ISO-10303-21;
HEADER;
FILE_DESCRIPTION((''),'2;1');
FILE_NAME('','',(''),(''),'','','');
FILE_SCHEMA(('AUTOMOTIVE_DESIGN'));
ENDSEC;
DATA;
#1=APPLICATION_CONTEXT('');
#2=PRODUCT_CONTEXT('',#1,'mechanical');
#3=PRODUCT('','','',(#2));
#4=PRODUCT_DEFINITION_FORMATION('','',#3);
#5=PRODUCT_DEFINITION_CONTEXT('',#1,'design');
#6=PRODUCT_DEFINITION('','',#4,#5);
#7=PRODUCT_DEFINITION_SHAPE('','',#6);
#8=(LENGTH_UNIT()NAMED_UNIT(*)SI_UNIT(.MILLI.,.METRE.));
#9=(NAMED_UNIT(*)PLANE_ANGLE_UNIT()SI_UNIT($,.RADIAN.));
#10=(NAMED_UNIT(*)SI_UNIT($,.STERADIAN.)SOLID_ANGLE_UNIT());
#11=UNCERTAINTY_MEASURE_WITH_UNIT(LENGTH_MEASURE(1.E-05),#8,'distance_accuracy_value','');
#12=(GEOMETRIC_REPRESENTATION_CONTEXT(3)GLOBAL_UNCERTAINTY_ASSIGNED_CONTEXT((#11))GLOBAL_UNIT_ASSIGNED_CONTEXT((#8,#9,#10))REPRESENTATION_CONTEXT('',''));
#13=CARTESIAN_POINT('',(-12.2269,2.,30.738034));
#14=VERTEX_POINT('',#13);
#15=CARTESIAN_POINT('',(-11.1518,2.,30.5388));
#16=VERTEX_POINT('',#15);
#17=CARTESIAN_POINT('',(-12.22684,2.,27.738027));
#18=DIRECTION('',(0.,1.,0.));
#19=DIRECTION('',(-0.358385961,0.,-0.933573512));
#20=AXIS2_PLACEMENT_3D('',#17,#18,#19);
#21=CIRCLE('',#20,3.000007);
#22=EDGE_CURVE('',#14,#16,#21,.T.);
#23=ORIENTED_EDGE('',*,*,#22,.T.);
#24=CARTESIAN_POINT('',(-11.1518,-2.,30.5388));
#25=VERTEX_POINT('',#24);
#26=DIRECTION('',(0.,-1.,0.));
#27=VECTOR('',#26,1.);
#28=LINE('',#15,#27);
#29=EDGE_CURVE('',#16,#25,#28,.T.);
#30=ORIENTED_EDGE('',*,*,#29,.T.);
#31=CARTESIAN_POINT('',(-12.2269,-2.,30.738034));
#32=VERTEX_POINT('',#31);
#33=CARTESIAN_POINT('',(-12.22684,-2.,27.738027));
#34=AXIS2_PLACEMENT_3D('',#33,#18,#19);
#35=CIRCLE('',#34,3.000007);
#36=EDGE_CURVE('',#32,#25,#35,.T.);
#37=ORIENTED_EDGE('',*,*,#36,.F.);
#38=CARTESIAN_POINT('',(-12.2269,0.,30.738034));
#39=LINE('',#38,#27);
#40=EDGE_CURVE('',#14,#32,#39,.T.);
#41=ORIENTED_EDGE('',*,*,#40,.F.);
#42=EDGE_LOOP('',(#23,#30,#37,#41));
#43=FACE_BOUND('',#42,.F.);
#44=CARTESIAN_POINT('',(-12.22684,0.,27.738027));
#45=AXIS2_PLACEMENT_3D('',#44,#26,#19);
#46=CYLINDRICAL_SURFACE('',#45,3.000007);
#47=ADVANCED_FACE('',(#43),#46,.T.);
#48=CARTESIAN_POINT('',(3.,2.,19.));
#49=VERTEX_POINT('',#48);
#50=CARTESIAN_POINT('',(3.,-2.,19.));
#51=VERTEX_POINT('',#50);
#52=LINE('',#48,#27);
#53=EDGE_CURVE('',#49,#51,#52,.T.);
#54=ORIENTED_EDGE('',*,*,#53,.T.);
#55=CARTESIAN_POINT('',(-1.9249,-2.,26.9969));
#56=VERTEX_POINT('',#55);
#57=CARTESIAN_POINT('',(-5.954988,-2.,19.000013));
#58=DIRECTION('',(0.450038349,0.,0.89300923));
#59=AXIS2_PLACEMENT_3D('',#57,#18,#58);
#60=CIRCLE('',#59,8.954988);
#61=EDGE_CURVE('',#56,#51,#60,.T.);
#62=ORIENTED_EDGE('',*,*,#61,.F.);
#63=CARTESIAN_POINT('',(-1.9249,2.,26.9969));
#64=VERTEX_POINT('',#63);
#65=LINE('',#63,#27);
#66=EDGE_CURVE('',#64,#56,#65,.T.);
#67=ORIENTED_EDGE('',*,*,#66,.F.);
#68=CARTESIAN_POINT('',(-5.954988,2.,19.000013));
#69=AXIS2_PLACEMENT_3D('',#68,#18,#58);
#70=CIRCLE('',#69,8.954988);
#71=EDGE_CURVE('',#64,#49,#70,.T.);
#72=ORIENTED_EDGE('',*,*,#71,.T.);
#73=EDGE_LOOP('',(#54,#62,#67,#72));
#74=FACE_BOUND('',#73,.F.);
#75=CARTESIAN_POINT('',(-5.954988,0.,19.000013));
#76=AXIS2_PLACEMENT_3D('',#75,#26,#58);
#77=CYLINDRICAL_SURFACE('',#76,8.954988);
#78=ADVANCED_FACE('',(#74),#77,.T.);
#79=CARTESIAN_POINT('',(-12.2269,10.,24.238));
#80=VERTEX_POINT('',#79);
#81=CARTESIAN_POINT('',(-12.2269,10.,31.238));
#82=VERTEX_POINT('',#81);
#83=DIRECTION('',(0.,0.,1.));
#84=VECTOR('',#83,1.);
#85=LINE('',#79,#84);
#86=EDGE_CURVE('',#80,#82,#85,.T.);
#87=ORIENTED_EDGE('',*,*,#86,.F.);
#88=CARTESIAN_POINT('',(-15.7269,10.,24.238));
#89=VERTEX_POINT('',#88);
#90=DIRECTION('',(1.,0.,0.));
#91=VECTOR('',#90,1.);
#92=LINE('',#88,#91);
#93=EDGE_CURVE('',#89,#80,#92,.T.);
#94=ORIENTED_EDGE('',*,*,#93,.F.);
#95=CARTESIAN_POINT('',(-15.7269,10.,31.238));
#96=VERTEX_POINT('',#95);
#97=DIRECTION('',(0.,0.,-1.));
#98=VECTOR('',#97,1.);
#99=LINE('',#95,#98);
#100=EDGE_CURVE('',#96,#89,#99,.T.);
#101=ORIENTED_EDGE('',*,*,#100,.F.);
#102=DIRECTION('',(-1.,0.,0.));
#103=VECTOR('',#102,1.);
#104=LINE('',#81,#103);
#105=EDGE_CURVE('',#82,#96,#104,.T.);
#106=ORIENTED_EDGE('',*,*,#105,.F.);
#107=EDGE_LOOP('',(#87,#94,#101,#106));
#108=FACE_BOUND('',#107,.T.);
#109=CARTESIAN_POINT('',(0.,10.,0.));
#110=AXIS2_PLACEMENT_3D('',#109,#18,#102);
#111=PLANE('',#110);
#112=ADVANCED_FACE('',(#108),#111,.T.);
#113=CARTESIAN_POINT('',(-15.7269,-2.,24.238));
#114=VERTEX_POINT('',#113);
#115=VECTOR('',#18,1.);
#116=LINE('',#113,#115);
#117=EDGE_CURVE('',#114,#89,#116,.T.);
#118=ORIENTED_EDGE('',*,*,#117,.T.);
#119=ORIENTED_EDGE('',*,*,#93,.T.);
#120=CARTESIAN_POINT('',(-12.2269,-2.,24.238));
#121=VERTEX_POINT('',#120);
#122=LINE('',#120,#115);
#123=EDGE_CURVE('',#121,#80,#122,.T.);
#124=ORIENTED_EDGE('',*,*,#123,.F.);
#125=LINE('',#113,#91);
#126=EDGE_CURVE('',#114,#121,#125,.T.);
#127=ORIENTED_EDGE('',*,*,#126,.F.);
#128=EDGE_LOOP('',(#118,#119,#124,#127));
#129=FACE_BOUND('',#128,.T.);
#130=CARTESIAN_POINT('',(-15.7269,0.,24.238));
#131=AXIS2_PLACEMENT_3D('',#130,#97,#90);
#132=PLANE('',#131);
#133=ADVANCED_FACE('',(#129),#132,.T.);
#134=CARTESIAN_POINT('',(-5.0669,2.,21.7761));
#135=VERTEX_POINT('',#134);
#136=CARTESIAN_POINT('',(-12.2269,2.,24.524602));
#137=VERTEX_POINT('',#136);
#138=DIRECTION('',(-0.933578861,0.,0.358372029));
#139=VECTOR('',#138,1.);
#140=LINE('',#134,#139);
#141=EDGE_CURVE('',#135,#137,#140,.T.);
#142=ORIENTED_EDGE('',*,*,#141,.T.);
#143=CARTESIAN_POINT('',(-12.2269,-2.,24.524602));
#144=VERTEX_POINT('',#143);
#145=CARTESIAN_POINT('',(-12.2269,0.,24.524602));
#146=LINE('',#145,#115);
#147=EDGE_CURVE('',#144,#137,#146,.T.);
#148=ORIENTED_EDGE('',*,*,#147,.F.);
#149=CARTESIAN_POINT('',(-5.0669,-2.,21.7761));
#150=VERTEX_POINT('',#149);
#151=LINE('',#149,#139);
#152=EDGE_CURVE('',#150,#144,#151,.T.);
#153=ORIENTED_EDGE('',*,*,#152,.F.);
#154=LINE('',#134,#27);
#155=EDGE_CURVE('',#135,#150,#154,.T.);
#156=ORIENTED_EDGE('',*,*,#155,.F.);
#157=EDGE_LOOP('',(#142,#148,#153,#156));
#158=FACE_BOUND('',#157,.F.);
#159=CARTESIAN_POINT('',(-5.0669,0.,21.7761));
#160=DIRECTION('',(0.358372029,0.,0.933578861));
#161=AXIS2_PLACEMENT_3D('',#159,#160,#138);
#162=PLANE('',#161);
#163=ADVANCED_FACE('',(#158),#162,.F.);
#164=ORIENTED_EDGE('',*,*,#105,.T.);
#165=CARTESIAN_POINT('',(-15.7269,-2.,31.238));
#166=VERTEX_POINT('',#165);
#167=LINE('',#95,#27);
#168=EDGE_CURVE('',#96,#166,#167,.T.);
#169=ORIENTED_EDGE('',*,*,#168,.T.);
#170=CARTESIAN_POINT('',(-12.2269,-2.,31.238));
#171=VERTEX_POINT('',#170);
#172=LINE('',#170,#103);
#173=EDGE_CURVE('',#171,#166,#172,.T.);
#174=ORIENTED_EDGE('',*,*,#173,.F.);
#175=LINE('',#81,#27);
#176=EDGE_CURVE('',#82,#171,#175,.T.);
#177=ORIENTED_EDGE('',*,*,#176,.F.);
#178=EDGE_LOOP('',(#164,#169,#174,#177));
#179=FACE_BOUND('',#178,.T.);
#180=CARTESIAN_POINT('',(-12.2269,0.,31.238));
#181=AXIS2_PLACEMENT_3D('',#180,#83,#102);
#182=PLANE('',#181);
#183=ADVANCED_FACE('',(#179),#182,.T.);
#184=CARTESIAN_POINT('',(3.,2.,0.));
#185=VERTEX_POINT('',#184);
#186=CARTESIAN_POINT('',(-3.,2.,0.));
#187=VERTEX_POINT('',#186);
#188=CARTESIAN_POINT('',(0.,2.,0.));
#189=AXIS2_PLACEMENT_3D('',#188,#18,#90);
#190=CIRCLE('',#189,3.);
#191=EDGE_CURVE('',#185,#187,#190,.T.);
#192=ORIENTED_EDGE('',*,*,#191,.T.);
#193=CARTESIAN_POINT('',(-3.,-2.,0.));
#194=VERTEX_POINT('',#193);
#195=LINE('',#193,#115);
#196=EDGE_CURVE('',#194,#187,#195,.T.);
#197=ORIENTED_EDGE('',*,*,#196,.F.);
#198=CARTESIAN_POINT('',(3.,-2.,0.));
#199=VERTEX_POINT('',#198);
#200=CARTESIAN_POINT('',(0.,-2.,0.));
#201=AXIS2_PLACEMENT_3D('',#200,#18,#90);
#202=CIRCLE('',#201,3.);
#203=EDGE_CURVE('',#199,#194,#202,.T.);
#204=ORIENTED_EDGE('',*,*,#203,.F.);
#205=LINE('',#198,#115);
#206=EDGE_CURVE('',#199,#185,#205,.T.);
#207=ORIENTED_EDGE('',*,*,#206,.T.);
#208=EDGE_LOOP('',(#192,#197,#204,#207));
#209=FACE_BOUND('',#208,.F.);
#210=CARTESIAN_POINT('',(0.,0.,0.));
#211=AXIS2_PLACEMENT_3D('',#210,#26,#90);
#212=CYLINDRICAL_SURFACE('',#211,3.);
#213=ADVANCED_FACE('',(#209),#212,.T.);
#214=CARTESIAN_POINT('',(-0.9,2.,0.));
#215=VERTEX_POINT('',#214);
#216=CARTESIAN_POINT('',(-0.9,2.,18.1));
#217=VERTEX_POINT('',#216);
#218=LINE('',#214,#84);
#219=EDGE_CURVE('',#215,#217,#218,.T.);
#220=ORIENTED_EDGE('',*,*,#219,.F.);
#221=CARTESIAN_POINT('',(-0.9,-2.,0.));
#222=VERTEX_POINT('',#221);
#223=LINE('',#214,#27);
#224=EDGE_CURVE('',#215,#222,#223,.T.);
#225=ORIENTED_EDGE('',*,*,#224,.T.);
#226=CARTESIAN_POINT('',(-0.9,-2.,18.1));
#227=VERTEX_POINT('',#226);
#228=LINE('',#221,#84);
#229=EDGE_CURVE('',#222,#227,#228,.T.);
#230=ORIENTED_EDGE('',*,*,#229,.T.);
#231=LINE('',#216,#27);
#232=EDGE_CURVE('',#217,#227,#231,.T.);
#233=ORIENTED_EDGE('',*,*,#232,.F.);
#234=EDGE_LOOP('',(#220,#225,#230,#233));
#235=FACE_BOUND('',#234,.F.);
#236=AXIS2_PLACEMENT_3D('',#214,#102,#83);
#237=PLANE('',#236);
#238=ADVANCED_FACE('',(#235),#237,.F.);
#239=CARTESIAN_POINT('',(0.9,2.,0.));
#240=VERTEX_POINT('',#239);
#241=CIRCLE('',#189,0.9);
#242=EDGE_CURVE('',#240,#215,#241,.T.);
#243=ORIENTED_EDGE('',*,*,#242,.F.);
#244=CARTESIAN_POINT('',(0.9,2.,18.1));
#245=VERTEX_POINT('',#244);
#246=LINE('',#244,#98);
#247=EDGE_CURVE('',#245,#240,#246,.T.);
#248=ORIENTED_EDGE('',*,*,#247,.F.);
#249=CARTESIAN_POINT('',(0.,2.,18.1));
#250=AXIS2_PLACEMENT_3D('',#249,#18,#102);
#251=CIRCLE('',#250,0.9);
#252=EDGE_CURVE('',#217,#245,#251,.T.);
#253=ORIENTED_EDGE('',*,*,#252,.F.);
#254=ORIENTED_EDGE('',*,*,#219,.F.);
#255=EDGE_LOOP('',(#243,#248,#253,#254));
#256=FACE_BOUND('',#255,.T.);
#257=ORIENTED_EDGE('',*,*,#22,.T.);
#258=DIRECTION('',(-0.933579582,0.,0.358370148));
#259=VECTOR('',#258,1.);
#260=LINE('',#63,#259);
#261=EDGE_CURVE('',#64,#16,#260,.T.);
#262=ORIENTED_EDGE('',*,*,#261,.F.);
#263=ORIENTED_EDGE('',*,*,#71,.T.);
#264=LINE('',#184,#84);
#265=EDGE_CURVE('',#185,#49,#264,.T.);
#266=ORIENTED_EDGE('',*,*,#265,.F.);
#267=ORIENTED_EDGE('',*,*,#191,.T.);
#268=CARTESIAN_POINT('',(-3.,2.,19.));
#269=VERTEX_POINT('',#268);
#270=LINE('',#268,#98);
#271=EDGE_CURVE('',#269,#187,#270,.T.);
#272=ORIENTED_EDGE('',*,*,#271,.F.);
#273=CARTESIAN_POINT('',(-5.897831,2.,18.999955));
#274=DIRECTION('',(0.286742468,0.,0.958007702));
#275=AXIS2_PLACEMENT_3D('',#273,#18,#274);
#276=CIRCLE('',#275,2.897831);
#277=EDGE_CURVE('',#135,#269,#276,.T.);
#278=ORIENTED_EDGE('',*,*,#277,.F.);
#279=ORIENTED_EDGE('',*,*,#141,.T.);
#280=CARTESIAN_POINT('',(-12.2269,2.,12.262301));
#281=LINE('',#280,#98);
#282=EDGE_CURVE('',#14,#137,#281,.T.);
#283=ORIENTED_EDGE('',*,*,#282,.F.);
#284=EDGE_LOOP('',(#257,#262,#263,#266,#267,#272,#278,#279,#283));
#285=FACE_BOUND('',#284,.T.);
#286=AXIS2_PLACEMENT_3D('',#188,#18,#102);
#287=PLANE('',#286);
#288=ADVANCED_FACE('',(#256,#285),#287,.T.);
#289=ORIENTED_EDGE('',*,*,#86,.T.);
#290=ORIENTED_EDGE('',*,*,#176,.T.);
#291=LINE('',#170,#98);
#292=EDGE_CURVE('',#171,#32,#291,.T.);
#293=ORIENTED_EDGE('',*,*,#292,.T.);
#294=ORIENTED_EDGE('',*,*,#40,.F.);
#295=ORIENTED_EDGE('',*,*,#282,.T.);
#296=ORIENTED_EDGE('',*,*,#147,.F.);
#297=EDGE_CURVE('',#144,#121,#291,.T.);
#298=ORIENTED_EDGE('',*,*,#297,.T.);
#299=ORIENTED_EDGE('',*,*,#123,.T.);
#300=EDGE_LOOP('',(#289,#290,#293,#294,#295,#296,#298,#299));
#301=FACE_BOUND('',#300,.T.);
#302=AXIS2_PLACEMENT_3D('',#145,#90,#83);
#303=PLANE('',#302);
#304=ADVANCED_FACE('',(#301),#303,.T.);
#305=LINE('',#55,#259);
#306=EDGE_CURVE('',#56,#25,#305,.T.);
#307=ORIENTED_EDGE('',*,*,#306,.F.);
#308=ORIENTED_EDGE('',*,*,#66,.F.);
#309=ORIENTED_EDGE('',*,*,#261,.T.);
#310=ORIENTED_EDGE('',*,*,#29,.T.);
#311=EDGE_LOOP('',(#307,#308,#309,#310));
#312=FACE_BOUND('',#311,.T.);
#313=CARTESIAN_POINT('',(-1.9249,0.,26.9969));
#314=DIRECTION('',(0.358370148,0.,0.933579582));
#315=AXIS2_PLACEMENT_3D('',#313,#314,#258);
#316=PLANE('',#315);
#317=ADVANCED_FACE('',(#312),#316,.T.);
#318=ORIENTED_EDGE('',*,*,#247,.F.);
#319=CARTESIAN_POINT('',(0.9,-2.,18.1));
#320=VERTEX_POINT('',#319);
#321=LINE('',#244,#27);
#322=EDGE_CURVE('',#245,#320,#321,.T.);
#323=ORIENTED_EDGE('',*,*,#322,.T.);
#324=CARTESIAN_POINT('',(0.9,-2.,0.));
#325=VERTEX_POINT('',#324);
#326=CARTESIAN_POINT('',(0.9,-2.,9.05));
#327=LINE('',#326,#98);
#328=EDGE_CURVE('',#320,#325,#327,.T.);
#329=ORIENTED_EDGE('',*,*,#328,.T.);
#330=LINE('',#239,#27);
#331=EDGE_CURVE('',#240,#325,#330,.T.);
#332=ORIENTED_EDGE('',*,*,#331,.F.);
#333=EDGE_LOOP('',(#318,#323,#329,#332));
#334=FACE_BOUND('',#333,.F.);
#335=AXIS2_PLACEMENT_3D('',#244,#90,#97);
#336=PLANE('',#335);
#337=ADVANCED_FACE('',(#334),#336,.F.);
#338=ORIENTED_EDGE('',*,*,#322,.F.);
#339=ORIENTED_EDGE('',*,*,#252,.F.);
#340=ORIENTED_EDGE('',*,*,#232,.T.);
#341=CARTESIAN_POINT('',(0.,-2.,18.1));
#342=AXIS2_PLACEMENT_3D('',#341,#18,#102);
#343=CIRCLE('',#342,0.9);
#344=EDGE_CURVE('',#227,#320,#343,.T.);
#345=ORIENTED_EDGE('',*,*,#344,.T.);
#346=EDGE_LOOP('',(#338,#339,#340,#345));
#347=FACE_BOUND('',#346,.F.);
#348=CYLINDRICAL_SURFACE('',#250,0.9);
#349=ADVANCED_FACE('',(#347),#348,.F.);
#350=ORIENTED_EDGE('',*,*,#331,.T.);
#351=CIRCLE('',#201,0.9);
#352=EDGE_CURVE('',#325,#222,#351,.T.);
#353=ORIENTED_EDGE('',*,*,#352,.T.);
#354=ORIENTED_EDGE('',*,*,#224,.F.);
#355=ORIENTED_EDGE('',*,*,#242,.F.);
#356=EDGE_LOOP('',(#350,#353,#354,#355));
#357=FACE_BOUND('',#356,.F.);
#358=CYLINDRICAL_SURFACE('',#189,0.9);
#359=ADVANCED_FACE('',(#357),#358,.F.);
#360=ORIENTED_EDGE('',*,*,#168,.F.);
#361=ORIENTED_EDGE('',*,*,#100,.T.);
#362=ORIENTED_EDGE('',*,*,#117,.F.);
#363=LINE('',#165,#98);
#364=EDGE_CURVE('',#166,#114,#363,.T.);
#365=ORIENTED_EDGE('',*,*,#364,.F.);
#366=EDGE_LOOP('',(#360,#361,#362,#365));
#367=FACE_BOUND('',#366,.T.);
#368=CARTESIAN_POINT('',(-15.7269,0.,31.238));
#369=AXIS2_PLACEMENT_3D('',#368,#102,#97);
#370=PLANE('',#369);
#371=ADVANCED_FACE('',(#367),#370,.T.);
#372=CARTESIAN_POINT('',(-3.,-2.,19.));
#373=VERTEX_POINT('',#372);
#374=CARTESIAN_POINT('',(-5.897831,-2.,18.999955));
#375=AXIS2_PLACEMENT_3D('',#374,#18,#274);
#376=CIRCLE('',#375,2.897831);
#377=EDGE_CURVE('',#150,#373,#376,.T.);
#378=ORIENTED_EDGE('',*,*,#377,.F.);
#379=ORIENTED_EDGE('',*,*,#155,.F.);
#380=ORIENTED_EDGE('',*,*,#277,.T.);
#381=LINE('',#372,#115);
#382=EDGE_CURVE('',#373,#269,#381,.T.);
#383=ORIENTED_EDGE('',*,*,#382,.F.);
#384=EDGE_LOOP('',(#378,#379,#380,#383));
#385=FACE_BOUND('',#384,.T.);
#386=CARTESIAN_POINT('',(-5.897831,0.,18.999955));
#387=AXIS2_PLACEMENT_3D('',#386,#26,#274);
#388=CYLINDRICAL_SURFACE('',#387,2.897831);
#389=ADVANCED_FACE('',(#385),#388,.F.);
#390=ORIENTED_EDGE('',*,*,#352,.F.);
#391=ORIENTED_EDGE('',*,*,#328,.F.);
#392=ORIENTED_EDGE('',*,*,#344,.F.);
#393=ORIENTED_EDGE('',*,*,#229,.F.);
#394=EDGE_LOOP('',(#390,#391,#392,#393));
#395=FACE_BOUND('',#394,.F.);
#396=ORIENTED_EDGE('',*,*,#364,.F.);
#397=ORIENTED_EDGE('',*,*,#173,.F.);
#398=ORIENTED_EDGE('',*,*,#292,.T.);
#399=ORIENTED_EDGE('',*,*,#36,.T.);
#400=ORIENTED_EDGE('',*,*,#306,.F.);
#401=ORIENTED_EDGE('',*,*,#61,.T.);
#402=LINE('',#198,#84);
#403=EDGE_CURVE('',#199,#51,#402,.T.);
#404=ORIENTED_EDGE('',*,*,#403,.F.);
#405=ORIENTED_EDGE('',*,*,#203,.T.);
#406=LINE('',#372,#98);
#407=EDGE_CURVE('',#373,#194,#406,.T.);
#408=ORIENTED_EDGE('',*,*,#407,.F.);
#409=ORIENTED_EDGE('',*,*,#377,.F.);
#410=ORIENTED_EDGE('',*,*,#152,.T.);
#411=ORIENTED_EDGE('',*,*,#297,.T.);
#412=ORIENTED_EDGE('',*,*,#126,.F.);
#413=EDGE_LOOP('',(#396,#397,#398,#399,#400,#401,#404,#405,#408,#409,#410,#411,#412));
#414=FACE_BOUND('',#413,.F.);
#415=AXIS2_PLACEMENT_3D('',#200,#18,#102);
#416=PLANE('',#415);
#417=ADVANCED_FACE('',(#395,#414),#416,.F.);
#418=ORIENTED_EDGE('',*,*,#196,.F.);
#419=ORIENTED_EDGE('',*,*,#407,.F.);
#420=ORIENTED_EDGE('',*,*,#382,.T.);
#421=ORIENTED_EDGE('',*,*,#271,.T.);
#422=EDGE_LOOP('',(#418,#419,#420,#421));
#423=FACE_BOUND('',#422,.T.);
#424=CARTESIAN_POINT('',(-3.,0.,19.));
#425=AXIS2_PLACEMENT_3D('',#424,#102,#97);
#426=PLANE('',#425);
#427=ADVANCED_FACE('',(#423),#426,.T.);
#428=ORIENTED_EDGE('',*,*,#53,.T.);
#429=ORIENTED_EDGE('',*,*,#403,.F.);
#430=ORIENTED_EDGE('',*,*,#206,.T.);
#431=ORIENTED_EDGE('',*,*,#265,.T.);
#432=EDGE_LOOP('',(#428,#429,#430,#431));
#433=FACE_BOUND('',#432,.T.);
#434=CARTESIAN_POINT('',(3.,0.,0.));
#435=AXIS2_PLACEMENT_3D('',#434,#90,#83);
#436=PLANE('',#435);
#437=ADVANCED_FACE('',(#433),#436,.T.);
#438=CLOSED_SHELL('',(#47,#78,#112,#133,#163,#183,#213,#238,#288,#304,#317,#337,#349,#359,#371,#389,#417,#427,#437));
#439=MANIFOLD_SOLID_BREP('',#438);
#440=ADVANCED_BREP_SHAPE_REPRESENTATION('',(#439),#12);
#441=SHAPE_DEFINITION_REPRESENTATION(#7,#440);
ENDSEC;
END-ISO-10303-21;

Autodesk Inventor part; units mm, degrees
ref_plane "YZ Plane" through (0, 0, 0) normal (1, 0, 0) x (0, 1, 0)
ref_plane "XZ Plane" through (0, 0, 0) normal (0, 1, 0) x (-1, 0, 0)
ref_plane "XY Plane" through (0, 0, 0) normal (0, 0, 1) x (1, 0, 0)
sketch "Sketch1" plane through (0, 0, 0) normal (0, 1, 0) x (-1, 0, 0)
  line L0 (0, 0) -> (0, 19) construction
  line L1 (-3, 0) -> (-3, 19)
  line L2 (3, 19) -> (3, 0)
  arc A0 (-3, 0) -> (3, 0) centre (0, 0) ccw
  arc A1 (3, 19) -> (-3, 19) centre (0, 19) ccw construction
  line L3 (0, 19) -> (3, 24.1962) construction
  line L4 (2.5981, 17.5) -> (5.5981, 22.6962) construction
  line L5 (0.4019, 25.6962) -> (-2.5981, 20.5) construction
  arc A2 (-2.5981, 20.5) -> (2.5981, 17.5) centre (0, 19) ccw construction
  arc A3 (5.5981, 22.6962) -> (0.4019, 25.6962) centre (3, 24.1962) ccw construction
  line L6 (3, 24.1962) -> (12.2269, 27.738) construction
  line L7 (2.8111, 20.9102) -> (13.302, 24.9373) construction
  line L8 (11.1518, 30.5388) -> (1.9249, 26.9969) construction
  arc A4 (1.9249, 26.9969) -> (1.5, 21.5981) centre (3, 24.1962) ccw construction
  arc A5 (13.302, 24.9373) -> (11.1518, 30.5388) centre (12.2269, 27.738) ccw
  line L9 (12.2269, 27.738) -> (21.2256, 27.8951) construction
  arc A6 (5.0669, 21.7761) -> (3, 19) centre (5.8978, 19) ccw
  line L10 (5.0669, 21.7761) -> (13.302, 24.9373)
  line L11 (1.9249, 26.9969) -> (11.1518, 30.5388)
  arc A7 (1.9249, 26.9969) -> (-3, 19) centre (5.955, 19) ccw
  point P0 (0, 9.5)
  point P1 (1.5, 21.5981)
  point P2 (-2.5981, 20.5)
  point P3 (3, 18.1962)
  point P4 (7.6135, 25.9671)
  point P5 (1.9249, 26.9969)
  point P6 (16.7262, 27.8166)
  dimension "d0" = 6
  dimension "d5" = 25
  dimension "d6" = 150
  dimension "d7" = 6
  dimension "d8" = 12
  dimension "d9" = 12
  dimension "d10" = 111
  dimension "d11" = 200
  dimension "d13" = 9
extrude "Extrusion1" add sketch "Sketch1" along normal mid plane 4
sketch "Sketch2" plane through (0, 2, 0) normal (0, 1, 0) x (1, 0, 0)
  line L0 (0, 0) -> (0, -18.1) construction
  line L1 (-0.9, 0) -> (-0.9, -18.1)
  line L2 (0.9, -18.1) -> (0.9, 0)
  arc A0 (0.9, 0) -> (-0.9, 0) centre (0, 0) ccw
  arc A1 (-0.9, -18.1) -> (0.9, -18.1) centre (0, -18.1) ccw
  point P0 (0, -9.05)
  point P1 (-3, -19)
  point P2 (0, -19)
  dimension "d14" = 1.8
extrude "Extrusion2" cut sketch "Sketch2" against normal through all
sketch "Sketch3" plane through (0, 0, 0) normal (0, 1, 0) x (-1, 0, 0)
  line L0 (-0.9, 0) -> (-0.9, 18.1) projected
  arc A0 (0.9, 18.1) -> (-0.9, 18.1) centre (0, 18.1) ccw projected
  line L1 (0.9, 18.1) -> (0.9, 0) projected
  arc A1 (-0.9, 0) -> (0.9, 0) centre (0, 0) ccw projected
  arc A2 (-3, 0) -> (3, 0) centre (0, 0) ccw projected
  line L2 (3, 0) -> (3, 19) projected
  arc A3 (5.0669, 21.7761) -> (3, 19) centre (5.8978, 19) ccw projected
  line L3 (5.0669, 21.7761) -> (13.302, 24.9373) projected
  arc A4 (13.302, 24.9373) -> (11.1518, 30.5388) centre (12.2269, 27.738) ccw projected
  line L4 (11.1518, 30.5388) -> (1.9249, 26.9969) projected
  arc A5 (1.9249, 26.9969) -> (-3, 19) centre (5.955, 19) ccw projected
  line L5 (-3, 19) -> (-3, 0) projected
  line L6 (15.7269, 24.238) -> (12.2269, 24.238)
  line L7 (12.2269, 24.238) -> (12.2269, 31.238)
  line L8 (12.2269, 31.238) -> (15.7269, 31.238)
  line L9 (15.7269, 31.238) -> (15.7269, 24.238)
  line L10 (13.9769, 24.238) -> (13.9769, 31.238) construction
  line L11 (12.2269, 27.738) -> (15.7269, 27.738) construction
  dimension "d17" = 7
  dimension "d18" = 3.5
extrude "Extrusion3" add sketch "Sketch3" along normal blind 10 and the other way blind 2 contours L7 A4 L3 | L3 A4 L7 L8 L9 L6
sketch "Sketch5" plane through (0, 2, 0) normal (0, 1, 0) x (1, 0, 0)
  point P0 (0, 0)
equation "\"d7\" = d0"
properties part number "_3DPrint"
